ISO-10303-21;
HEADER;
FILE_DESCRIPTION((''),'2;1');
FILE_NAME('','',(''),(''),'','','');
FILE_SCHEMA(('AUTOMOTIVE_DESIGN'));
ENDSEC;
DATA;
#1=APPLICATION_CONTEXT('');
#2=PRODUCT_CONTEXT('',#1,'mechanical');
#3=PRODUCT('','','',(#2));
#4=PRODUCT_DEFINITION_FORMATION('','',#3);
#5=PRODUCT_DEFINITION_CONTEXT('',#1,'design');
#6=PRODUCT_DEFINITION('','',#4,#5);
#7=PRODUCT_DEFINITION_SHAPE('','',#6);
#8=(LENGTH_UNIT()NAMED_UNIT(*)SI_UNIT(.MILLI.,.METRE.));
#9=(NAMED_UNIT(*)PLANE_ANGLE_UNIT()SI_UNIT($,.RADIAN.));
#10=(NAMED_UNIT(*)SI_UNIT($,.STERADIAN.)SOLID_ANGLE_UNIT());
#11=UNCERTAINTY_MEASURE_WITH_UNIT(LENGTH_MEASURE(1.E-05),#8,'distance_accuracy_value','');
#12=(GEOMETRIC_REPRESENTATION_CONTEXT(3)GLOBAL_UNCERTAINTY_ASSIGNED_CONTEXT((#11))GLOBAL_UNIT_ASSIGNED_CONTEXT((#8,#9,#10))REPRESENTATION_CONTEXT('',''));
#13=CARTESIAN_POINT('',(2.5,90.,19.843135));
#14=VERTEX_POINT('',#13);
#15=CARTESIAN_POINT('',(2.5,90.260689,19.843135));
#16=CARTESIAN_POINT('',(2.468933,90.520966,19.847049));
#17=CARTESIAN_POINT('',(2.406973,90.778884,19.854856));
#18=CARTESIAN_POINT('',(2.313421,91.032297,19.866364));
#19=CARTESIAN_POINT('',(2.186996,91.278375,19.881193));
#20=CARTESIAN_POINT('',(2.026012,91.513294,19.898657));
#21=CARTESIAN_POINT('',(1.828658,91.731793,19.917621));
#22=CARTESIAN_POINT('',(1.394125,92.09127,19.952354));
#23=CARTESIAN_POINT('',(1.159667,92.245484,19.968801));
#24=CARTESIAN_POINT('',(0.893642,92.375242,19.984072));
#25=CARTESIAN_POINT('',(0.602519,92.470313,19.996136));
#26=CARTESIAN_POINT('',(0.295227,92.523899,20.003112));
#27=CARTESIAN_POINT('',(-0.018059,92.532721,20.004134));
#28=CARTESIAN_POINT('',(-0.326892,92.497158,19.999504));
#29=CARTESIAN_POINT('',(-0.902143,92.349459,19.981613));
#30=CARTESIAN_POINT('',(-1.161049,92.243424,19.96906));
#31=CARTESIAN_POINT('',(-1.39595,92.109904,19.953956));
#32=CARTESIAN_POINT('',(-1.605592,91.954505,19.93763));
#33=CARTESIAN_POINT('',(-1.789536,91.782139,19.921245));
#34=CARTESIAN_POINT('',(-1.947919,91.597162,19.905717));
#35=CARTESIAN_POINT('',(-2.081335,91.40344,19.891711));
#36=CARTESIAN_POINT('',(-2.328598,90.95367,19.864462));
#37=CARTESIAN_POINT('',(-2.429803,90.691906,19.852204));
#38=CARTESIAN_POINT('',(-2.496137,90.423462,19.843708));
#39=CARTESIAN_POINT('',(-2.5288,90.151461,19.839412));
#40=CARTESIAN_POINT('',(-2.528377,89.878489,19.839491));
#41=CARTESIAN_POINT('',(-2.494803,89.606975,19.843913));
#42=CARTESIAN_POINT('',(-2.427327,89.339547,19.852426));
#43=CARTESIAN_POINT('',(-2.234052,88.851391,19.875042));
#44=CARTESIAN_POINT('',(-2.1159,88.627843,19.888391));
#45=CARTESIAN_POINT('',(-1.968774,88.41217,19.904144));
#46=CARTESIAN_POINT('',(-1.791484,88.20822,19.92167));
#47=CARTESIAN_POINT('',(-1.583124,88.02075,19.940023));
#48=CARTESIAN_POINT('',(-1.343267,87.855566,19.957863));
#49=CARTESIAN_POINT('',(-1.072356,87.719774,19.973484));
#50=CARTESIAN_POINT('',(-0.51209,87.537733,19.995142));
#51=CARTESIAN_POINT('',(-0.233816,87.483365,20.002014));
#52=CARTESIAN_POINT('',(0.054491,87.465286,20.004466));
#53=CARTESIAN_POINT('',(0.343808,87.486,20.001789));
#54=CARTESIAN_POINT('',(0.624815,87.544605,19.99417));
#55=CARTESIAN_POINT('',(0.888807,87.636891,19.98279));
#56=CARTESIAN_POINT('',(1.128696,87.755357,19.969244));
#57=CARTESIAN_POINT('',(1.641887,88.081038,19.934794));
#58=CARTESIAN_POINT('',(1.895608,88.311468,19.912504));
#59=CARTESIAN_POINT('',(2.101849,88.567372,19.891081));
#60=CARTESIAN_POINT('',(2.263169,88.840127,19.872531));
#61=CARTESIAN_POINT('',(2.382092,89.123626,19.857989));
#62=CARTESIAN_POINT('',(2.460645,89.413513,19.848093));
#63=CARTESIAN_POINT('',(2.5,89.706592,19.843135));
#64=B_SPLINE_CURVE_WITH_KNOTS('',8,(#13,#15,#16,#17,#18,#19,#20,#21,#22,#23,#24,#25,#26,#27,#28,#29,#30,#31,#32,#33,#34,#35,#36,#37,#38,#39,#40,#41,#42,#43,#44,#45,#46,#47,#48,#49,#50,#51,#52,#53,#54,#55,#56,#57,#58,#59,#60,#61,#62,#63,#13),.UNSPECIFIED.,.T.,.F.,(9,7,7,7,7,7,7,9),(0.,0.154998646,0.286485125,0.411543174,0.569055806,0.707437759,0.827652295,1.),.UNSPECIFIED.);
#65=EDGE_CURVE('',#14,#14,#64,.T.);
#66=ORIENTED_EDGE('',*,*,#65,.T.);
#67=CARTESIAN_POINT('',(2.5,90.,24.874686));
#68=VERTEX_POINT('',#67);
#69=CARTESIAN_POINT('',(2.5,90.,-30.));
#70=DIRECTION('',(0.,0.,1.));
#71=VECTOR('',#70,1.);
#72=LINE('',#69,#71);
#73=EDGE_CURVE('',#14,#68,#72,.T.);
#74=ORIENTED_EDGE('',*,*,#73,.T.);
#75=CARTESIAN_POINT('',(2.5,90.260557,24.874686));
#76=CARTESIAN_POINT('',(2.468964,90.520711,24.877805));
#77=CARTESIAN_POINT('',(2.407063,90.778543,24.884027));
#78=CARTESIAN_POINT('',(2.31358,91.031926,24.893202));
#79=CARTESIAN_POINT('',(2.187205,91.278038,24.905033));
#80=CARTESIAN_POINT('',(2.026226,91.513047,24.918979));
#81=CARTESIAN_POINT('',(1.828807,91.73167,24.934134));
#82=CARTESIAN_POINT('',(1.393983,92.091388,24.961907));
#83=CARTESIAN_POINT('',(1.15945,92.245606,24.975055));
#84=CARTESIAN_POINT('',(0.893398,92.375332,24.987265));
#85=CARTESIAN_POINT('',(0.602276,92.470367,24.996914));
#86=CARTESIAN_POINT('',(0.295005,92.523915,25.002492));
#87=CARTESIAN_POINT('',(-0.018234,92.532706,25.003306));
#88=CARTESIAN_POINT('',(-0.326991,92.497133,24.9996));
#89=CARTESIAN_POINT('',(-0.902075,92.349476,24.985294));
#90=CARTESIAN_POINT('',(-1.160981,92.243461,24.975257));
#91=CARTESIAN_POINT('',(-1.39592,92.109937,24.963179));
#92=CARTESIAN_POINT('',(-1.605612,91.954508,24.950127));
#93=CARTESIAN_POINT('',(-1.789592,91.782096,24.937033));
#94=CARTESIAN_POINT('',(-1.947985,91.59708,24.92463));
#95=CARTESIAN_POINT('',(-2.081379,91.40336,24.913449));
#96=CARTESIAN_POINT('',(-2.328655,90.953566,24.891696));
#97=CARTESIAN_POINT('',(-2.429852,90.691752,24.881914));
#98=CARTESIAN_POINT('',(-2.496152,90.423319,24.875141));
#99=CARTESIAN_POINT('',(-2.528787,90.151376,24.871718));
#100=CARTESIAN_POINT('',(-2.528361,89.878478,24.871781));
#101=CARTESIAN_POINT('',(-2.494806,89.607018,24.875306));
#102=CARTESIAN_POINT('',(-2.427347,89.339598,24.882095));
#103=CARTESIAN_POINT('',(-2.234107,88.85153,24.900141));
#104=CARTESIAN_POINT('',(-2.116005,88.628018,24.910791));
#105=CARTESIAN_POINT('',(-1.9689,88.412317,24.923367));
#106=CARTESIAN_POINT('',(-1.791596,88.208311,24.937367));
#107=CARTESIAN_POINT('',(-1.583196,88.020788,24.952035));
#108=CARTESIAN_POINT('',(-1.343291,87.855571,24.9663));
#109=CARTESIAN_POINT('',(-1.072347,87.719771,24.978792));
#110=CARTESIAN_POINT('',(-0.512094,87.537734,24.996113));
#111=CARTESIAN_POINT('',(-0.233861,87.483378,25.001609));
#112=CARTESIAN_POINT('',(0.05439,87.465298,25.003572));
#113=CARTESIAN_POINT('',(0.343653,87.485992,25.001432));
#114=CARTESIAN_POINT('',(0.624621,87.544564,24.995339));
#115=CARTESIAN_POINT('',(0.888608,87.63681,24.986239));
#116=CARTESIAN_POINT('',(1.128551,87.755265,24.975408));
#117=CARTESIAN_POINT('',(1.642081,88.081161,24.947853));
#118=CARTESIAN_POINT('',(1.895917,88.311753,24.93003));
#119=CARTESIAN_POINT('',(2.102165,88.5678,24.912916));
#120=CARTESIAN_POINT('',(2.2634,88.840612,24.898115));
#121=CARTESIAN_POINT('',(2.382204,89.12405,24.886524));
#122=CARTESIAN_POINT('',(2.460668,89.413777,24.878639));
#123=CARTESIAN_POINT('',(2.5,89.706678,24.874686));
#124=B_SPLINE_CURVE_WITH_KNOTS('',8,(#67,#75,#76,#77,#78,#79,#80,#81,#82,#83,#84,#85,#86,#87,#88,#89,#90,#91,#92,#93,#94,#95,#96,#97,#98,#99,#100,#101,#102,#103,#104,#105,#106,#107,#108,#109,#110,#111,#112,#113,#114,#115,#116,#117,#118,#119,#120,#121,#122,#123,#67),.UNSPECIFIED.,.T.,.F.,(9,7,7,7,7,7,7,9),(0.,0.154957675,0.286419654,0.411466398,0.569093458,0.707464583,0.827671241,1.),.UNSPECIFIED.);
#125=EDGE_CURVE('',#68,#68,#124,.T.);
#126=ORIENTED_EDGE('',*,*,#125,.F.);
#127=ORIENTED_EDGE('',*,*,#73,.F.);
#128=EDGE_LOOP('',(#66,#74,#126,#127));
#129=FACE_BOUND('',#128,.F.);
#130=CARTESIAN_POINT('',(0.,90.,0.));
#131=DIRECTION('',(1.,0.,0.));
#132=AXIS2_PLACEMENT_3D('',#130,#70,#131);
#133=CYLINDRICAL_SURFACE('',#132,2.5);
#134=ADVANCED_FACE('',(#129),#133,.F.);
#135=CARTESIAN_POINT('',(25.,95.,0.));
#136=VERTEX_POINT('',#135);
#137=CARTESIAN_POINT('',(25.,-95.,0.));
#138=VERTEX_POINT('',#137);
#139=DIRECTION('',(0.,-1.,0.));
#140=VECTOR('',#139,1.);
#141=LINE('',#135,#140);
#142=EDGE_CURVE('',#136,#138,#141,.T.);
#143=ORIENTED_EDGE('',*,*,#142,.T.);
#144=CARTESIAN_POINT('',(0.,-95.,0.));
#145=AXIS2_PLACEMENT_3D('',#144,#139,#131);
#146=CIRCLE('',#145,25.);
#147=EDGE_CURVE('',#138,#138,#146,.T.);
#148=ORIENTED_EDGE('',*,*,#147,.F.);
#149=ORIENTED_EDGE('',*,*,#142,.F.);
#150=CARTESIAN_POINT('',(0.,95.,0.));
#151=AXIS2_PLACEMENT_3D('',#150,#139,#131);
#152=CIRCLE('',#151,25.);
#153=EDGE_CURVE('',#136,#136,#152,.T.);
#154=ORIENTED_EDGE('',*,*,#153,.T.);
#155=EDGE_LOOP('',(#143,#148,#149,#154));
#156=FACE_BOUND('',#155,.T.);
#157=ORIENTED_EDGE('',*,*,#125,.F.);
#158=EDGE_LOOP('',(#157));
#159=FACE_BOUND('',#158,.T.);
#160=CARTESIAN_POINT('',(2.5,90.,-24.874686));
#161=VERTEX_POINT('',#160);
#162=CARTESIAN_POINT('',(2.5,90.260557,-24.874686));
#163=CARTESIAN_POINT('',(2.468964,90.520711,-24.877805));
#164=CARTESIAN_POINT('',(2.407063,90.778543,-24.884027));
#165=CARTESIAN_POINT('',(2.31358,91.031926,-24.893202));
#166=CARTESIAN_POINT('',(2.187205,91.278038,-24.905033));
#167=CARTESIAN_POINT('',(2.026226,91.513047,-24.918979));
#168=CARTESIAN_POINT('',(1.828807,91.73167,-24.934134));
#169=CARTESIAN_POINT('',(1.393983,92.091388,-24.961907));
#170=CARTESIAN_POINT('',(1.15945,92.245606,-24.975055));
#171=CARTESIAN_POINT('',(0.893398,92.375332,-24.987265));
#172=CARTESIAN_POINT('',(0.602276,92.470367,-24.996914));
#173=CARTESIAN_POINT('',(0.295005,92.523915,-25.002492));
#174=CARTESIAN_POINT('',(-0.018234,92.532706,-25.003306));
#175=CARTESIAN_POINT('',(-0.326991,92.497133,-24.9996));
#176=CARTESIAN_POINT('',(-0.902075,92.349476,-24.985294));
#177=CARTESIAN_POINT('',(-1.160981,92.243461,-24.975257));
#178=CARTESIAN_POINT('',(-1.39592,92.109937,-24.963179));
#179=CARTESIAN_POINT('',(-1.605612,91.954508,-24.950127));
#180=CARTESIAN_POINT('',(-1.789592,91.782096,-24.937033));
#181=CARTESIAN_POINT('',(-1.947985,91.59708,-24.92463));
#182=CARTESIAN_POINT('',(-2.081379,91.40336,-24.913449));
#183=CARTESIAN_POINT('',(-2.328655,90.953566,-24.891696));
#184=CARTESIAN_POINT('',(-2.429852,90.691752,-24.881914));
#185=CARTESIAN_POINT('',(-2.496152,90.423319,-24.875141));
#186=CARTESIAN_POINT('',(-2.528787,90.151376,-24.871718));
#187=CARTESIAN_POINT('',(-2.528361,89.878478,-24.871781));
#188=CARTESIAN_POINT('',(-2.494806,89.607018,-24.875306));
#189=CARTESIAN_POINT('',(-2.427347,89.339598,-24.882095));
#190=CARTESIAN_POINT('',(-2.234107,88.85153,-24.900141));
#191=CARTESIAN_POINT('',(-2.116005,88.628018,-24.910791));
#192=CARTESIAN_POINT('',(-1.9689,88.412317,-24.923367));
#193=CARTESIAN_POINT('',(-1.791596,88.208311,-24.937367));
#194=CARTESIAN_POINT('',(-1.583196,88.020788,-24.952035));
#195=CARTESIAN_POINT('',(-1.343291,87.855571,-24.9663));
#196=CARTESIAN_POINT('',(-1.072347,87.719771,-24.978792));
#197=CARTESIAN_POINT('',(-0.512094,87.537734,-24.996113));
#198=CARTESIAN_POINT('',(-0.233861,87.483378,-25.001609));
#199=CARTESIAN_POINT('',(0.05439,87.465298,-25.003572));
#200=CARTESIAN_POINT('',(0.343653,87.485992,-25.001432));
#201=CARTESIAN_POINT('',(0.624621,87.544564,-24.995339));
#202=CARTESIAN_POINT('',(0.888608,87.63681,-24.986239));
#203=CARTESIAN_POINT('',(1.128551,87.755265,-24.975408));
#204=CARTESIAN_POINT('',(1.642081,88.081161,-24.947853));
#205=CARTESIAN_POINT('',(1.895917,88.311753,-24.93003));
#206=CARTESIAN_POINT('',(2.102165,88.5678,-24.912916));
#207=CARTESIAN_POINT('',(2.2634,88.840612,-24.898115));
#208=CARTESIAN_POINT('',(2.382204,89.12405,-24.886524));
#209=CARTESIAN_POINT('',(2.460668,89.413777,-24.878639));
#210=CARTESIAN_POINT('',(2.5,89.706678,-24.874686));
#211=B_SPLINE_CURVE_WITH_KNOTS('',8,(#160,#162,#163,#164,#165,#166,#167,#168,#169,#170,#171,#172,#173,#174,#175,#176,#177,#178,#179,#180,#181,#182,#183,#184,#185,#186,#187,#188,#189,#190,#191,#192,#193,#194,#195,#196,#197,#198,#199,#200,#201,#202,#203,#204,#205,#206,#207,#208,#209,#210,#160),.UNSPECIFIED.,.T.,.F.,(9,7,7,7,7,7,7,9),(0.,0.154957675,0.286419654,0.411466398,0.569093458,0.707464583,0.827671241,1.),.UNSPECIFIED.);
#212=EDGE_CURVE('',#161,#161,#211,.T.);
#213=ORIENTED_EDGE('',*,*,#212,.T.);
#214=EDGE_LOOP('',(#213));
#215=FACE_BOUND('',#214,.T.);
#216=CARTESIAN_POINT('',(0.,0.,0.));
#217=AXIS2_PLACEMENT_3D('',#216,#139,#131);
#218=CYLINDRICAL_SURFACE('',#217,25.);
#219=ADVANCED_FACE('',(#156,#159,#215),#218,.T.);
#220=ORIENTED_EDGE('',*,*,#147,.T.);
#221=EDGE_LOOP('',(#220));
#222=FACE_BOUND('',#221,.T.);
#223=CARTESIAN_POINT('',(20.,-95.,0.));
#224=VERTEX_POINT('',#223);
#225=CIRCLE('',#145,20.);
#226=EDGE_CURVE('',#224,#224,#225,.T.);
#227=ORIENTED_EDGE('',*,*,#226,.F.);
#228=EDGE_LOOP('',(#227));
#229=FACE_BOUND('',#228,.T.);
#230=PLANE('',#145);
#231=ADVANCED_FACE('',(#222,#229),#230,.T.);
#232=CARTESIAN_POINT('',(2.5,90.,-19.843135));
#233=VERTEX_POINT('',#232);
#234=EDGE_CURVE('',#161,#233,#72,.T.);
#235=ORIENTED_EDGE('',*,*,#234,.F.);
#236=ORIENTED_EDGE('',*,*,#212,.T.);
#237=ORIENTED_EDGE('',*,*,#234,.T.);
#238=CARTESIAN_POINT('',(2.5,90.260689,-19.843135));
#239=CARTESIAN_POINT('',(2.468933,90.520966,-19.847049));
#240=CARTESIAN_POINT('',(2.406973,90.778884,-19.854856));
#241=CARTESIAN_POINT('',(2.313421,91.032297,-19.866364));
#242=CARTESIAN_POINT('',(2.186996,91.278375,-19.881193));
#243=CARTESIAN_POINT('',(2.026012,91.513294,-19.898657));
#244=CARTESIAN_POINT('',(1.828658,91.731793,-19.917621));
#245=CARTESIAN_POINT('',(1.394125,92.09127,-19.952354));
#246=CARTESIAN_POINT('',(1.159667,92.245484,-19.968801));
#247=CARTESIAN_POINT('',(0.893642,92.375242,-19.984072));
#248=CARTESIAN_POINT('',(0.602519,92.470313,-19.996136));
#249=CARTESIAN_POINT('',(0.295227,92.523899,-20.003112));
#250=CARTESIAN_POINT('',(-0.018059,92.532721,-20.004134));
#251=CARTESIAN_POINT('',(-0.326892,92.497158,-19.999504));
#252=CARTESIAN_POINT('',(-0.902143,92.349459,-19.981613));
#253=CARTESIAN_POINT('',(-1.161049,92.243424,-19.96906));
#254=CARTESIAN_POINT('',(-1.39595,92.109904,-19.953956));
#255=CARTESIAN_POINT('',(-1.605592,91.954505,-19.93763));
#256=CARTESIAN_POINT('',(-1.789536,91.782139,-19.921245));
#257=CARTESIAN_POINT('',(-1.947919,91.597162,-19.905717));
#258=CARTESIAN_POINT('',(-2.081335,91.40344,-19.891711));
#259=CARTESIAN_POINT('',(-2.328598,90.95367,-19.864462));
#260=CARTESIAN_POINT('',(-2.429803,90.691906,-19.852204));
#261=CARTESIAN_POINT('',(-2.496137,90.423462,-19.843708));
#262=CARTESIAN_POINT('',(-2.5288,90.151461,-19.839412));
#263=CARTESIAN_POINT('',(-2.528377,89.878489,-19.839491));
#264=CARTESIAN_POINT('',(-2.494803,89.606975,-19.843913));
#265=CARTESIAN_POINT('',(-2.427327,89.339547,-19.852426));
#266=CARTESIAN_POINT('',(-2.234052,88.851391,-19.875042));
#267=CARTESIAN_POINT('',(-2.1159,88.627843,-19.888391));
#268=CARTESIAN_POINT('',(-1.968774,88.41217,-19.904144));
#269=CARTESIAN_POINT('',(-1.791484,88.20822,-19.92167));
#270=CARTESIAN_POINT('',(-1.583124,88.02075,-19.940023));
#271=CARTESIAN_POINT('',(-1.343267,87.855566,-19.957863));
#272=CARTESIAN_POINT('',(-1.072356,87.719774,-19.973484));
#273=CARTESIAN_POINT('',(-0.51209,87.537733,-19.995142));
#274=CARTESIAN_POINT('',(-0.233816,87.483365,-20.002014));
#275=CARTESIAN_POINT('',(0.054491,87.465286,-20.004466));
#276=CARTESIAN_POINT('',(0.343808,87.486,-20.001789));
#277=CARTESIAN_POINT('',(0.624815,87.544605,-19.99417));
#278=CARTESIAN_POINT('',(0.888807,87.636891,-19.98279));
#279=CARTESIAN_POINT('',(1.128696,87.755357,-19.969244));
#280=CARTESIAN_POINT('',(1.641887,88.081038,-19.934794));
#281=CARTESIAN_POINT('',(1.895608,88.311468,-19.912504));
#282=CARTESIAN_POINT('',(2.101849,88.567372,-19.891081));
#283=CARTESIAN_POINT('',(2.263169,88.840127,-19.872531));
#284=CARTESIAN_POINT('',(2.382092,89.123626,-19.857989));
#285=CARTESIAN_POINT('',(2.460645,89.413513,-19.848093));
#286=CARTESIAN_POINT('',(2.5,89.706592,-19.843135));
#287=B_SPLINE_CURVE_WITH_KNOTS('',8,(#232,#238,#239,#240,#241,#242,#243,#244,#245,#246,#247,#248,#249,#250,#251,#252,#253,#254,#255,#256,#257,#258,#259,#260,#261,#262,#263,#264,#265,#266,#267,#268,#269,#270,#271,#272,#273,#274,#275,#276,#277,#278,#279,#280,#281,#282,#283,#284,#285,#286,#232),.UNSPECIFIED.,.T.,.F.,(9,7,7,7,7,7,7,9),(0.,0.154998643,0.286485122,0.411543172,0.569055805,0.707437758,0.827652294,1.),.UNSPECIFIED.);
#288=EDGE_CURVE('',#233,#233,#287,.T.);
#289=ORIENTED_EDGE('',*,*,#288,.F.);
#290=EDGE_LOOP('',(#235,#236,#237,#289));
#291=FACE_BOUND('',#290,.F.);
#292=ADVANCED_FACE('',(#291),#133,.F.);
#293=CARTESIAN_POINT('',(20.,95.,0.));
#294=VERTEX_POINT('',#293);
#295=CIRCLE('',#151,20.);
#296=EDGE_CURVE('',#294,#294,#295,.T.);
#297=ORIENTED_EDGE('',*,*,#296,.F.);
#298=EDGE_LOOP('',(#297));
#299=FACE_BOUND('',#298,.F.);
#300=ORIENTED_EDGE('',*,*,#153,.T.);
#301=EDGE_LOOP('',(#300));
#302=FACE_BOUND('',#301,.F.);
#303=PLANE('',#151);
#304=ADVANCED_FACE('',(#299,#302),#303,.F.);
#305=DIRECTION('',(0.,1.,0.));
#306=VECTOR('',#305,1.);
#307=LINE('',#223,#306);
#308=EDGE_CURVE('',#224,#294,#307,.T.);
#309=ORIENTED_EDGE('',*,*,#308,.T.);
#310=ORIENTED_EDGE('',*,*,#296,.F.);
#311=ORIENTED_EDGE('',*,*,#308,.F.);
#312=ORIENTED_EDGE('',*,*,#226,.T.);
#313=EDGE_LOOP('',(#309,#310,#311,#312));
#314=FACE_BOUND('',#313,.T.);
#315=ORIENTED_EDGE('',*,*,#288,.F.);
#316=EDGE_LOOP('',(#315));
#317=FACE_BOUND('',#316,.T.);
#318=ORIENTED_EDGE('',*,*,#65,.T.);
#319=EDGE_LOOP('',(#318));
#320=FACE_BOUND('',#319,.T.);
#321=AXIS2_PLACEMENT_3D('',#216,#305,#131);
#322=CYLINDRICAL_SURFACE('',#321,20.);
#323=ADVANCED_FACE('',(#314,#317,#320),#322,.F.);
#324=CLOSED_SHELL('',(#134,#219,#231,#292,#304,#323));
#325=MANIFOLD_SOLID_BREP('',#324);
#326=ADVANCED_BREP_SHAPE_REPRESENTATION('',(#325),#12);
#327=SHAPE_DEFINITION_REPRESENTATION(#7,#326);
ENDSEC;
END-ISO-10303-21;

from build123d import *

# Parameters (mm, degrees)
SKETCH001_R  = 2.5
PAD001_DEPTH = 30
SKETCH_R     = 25
SKETCH_R_2   = 20
PAD_DEPTH    = 95


with BuildPart() as pad001:
    # Sketch001 → Pad001 (new body, symmetric)
    with BuildSketch(Plane.XY):
        with Locations((0, 90)):
            Circle(SKETCH001_R)
    extrude(amount=PAD001_DEPTH, both=True)


with BuildPart() as cut:
    # Sketch → Pad (new body, symmetric)
    with BuildSketch(Plane.XZ):
        Circle(SKETCH_R)
        Circle(SKETCH_R_2, mode=Mode.SUBTRACT)
    extrude(amount=PAD_DEPTH, both=True)

    # Cut: cut Pad001
    add(pad001.part, mode=Mode.SUBTRACT)


solid = cut.part
